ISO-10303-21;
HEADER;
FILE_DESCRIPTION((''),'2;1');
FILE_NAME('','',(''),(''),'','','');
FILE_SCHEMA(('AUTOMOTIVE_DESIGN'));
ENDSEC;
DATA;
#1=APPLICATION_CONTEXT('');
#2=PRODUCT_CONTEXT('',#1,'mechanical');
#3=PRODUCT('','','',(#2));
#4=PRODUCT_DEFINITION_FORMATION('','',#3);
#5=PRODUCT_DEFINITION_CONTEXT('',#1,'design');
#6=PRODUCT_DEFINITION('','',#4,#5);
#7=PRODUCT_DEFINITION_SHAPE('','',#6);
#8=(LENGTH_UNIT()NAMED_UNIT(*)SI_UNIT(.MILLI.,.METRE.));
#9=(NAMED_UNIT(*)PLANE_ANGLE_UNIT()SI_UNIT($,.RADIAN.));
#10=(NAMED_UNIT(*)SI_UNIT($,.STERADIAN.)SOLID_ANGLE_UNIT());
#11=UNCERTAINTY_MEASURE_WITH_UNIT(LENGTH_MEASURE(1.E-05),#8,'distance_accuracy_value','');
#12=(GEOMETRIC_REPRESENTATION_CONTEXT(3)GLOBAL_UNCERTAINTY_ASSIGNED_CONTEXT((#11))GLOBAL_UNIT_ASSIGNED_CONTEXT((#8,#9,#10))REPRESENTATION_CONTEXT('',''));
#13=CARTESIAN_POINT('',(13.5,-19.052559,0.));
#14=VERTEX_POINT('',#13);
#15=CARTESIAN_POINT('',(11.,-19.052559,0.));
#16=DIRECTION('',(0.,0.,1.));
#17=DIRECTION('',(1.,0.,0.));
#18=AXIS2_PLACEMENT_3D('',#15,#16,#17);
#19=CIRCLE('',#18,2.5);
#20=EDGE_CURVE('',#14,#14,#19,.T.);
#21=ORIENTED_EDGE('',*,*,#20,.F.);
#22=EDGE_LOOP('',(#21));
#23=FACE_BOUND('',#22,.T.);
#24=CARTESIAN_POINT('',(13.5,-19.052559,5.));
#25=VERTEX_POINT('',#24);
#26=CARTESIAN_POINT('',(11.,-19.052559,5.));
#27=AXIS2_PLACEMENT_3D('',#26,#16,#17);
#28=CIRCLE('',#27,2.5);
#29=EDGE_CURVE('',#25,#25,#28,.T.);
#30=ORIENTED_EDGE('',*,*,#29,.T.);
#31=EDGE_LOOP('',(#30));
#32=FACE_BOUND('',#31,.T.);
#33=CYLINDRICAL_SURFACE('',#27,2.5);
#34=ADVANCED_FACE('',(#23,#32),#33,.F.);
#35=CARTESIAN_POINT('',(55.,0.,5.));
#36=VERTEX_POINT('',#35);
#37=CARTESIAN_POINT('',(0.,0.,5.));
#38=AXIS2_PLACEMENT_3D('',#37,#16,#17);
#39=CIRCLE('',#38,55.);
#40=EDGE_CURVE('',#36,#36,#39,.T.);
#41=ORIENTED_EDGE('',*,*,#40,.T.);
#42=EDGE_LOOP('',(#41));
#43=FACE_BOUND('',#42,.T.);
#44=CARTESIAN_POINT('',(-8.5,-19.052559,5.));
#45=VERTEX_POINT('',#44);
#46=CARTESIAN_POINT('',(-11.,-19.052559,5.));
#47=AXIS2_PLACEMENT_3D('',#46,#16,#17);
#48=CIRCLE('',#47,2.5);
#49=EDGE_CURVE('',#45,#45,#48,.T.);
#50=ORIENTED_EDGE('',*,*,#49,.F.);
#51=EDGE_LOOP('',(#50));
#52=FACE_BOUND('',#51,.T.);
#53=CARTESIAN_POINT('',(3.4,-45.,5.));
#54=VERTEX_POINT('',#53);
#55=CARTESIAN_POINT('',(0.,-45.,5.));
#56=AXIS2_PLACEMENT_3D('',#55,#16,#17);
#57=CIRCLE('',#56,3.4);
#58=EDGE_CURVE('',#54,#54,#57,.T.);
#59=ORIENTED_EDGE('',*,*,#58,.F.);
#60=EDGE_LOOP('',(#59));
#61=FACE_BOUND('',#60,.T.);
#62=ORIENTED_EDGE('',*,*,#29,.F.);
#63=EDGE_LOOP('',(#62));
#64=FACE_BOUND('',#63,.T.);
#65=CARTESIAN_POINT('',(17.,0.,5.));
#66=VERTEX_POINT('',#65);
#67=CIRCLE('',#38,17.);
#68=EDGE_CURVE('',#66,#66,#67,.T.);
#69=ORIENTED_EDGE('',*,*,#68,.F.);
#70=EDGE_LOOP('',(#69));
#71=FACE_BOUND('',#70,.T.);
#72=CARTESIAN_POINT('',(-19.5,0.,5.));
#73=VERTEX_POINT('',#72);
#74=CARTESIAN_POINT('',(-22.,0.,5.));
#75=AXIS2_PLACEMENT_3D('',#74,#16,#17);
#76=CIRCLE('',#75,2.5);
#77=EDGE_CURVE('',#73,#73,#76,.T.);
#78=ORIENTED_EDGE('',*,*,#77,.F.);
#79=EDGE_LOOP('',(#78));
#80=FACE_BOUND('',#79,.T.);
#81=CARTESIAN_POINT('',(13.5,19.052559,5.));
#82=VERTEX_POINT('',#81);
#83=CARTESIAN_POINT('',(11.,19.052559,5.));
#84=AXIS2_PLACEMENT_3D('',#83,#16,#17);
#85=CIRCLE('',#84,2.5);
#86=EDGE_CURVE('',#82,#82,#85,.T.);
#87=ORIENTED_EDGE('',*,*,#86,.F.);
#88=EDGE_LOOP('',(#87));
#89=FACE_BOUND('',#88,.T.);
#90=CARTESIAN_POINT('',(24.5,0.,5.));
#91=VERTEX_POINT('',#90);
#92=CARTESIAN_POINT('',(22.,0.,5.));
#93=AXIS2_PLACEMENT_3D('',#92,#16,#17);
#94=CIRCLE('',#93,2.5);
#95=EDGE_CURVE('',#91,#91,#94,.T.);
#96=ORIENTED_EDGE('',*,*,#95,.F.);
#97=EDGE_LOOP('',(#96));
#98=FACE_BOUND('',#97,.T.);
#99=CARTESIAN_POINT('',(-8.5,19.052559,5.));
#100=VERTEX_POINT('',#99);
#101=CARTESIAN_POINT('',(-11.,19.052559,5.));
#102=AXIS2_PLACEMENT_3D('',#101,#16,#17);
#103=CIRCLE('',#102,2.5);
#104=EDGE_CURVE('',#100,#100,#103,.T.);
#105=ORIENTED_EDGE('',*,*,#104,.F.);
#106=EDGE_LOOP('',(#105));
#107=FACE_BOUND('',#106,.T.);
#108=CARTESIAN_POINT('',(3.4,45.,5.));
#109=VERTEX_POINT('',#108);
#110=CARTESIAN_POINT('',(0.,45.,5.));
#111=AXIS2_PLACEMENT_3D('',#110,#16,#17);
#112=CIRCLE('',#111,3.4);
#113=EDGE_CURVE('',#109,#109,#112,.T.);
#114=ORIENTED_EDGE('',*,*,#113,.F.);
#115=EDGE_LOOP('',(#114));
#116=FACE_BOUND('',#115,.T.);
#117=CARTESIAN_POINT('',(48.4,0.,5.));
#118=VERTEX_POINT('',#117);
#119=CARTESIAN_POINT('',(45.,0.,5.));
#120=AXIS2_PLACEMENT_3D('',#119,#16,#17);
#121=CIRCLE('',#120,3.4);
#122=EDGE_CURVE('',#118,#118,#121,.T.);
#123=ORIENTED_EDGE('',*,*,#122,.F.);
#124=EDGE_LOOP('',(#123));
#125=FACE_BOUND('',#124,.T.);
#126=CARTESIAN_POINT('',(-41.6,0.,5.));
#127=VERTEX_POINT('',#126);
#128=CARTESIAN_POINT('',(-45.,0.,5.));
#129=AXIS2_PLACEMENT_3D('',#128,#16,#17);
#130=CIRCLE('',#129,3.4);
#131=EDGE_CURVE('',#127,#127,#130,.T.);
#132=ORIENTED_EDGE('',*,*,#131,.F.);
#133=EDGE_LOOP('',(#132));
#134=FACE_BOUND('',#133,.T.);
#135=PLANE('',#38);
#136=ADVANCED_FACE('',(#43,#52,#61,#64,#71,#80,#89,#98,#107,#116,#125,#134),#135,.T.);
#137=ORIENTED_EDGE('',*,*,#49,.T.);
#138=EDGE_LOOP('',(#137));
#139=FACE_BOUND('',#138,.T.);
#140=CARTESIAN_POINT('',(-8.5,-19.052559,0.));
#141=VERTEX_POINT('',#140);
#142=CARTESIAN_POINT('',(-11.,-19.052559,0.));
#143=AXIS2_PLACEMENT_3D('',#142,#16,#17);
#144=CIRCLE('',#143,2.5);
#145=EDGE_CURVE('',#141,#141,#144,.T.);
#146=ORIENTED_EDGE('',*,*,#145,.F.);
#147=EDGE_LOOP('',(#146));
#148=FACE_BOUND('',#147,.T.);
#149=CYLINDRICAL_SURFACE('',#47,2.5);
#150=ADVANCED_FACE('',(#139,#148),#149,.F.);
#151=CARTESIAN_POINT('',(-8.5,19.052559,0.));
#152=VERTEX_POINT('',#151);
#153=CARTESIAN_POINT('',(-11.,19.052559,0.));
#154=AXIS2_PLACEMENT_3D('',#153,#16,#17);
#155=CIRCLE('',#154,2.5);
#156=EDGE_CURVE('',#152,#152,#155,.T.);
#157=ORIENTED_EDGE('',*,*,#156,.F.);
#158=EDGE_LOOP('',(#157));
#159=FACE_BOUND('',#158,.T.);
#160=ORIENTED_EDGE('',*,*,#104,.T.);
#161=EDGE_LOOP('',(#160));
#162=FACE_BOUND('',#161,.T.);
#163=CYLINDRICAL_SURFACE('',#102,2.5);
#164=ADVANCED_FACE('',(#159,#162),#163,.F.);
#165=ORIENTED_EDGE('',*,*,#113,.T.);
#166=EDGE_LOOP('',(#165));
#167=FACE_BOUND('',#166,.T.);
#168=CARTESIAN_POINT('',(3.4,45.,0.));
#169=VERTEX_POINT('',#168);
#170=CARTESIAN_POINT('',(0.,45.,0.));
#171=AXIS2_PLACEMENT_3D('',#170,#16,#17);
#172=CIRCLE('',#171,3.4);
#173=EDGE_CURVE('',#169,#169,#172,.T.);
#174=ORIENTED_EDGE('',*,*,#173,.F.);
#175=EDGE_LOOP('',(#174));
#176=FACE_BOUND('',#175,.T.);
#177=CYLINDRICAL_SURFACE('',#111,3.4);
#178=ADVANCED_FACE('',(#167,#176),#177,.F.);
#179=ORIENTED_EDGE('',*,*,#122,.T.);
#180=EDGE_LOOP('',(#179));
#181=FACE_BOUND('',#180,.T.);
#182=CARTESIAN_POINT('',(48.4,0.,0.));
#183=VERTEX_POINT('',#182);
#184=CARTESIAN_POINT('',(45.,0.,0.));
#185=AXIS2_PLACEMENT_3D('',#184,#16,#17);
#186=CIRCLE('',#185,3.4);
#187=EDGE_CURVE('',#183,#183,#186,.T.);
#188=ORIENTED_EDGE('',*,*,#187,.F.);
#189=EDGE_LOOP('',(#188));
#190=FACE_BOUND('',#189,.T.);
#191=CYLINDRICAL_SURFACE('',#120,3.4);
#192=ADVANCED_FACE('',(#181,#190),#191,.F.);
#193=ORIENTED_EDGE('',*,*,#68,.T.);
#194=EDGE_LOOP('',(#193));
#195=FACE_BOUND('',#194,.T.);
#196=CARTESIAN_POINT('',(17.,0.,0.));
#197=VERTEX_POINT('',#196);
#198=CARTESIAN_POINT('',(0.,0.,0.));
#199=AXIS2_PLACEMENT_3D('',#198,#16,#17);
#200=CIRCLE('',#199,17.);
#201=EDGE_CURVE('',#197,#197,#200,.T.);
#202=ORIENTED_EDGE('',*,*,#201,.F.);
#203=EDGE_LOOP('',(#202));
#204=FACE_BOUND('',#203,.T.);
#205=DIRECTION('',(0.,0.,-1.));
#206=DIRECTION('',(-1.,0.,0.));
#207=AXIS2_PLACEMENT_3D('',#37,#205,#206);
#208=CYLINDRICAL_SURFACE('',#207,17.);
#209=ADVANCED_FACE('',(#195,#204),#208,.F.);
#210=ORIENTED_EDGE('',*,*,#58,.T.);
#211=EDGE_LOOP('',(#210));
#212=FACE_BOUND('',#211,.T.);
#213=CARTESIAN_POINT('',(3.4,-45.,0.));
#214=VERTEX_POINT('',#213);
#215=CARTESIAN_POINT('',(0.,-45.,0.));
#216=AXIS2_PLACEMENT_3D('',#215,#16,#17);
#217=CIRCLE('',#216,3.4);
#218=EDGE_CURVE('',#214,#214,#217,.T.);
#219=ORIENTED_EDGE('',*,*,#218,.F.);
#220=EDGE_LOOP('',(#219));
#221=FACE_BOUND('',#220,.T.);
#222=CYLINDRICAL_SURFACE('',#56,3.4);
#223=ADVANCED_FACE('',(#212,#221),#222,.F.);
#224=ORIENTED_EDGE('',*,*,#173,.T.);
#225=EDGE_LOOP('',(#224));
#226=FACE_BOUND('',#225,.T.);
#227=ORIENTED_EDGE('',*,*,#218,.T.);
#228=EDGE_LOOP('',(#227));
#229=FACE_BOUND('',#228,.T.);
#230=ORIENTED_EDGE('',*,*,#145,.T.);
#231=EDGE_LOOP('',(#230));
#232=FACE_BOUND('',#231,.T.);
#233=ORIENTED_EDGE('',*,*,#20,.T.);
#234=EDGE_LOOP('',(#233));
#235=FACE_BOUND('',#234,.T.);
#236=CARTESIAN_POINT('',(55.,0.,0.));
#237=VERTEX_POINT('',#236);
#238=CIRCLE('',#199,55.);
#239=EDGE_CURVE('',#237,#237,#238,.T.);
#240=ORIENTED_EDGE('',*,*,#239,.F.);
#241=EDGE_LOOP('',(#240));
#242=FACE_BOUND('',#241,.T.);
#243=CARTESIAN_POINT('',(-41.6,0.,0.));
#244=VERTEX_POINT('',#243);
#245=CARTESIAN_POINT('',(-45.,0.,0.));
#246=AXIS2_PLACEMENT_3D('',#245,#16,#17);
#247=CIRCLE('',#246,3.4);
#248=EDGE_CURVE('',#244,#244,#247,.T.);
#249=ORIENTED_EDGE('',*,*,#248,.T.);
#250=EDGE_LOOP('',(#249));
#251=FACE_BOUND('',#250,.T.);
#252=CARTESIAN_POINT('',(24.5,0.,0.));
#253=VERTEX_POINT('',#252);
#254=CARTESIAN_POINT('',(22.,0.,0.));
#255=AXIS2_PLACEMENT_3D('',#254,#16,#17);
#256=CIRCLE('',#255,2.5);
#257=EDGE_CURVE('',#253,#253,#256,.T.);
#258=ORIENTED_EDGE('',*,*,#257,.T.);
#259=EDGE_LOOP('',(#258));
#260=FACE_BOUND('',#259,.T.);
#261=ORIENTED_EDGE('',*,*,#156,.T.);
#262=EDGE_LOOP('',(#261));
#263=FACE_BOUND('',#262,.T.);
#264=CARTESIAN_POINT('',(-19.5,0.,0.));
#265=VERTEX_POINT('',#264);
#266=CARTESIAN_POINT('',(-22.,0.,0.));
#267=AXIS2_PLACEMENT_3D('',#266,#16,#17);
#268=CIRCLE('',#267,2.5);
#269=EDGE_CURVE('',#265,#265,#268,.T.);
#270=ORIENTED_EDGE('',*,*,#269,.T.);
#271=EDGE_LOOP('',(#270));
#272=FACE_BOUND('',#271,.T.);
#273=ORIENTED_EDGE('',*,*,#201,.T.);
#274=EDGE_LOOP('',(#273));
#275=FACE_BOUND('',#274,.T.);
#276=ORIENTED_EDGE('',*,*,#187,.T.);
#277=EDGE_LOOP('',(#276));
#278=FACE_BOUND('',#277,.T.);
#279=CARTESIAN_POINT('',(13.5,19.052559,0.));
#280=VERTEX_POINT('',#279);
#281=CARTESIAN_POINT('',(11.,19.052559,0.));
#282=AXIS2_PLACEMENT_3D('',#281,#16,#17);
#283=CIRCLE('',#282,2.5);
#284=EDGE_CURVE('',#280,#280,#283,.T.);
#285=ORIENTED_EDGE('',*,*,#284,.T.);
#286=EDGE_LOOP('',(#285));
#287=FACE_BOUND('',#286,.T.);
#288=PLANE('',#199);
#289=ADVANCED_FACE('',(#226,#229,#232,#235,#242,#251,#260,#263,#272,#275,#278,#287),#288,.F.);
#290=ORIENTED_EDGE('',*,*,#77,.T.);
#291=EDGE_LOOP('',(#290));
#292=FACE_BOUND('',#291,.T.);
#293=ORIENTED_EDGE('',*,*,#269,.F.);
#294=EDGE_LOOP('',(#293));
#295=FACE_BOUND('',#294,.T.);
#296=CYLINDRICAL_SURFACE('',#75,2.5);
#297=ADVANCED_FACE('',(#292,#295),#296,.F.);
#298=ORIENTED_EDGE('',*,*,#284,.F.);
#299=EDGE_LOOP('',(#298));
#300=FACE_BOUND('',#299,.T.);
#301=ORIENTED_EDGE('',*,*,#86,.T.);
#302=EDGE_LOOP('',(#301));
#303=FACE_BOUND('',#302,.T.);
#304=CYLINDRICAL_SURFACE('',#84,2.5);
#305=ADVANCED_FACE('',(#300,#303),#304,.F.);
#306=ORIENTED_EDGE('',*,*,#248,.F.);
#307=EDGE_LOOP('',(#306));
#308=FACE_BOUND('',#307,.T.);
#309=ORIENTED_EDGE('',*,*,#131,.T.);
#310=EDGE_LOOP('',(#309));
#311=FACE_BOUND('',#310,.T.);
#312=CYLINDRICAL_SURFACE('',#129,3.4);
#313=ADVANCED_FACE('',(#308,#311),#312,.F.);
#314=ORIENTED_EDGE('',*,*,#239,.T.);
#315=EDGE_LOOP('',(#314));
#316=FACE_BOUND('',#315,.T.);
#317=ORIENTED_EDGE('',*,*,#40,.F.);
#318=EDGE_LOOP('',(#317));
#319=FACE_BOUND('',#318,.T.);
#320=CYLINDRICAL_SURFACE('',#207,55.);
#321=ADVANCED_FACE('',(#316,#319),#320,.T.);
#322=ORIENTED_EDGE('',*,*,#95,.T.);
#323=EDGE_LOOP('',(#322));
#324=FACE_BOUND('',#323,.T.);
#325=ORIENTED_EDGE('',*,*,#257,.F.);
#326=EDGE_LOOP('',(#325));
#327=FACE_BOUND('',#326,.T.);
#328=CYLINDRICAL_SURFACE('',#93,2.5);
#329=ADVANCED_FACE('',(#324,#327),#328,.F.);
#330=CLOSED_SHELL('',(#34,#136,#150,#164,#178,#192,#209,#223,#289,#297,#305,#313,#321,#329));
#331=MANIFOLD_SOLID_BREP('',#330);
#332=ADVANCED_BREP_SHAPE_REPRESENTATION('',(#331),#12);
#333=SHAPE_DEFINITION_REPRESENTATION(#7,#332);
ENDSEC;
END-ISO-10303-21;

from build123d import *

# Parameters (mm, degrees)
ESQUISSE1_R                               = 55
ESQUISSE1_R_2                             = 17
BOSS_EXTRU_1_DEPTH                        = 5
TROU_POUR_TARAUDAGE_POUR_TROU_TARAUD_M8_D = 6.8
TROU_POUR_TARAUDAGE_POUR_TROU_TARAUD_M6_D = 5


with BuildPart() as part:
    # Esquisse1 → Boss.-Extru.1 (new body)
    with BuildSketch(Plane.XY):
        Circle(ESQUISSE1_R)
        Circle(ESQUISSE1_R_2, mode=Mode.SUBTRACT)
    extrude(amount=BOSS_EXTRU_1_DEPTH)

    # Trou pour taraudage pour trou taraudé M8x1.252 (through all)
    with Locations(Plane.XY.offset(5)):
        with Locations((0, 45), (45, 0), (0, -45), (-45, 0)):
            Hole(TROU_POUR_TARAUDAGE_POUR_TROU_TARAUD_M8_D / 2)

    # Trou pour taraudage pour trou taraudé M6x1.02 (through all)
    with Locations(Plane.XY.offset(5)):
        with Locations((11, 19.052558883), (22, 0), (11, -19.052558883), (-11, -19.052558883), (-22, 0), (-11, 19.052558883)):
            Hole(TROU_POUR_TARAUDAGE_POUR_TROU_TARAUD_M6_D / 2)


solid = part.part
